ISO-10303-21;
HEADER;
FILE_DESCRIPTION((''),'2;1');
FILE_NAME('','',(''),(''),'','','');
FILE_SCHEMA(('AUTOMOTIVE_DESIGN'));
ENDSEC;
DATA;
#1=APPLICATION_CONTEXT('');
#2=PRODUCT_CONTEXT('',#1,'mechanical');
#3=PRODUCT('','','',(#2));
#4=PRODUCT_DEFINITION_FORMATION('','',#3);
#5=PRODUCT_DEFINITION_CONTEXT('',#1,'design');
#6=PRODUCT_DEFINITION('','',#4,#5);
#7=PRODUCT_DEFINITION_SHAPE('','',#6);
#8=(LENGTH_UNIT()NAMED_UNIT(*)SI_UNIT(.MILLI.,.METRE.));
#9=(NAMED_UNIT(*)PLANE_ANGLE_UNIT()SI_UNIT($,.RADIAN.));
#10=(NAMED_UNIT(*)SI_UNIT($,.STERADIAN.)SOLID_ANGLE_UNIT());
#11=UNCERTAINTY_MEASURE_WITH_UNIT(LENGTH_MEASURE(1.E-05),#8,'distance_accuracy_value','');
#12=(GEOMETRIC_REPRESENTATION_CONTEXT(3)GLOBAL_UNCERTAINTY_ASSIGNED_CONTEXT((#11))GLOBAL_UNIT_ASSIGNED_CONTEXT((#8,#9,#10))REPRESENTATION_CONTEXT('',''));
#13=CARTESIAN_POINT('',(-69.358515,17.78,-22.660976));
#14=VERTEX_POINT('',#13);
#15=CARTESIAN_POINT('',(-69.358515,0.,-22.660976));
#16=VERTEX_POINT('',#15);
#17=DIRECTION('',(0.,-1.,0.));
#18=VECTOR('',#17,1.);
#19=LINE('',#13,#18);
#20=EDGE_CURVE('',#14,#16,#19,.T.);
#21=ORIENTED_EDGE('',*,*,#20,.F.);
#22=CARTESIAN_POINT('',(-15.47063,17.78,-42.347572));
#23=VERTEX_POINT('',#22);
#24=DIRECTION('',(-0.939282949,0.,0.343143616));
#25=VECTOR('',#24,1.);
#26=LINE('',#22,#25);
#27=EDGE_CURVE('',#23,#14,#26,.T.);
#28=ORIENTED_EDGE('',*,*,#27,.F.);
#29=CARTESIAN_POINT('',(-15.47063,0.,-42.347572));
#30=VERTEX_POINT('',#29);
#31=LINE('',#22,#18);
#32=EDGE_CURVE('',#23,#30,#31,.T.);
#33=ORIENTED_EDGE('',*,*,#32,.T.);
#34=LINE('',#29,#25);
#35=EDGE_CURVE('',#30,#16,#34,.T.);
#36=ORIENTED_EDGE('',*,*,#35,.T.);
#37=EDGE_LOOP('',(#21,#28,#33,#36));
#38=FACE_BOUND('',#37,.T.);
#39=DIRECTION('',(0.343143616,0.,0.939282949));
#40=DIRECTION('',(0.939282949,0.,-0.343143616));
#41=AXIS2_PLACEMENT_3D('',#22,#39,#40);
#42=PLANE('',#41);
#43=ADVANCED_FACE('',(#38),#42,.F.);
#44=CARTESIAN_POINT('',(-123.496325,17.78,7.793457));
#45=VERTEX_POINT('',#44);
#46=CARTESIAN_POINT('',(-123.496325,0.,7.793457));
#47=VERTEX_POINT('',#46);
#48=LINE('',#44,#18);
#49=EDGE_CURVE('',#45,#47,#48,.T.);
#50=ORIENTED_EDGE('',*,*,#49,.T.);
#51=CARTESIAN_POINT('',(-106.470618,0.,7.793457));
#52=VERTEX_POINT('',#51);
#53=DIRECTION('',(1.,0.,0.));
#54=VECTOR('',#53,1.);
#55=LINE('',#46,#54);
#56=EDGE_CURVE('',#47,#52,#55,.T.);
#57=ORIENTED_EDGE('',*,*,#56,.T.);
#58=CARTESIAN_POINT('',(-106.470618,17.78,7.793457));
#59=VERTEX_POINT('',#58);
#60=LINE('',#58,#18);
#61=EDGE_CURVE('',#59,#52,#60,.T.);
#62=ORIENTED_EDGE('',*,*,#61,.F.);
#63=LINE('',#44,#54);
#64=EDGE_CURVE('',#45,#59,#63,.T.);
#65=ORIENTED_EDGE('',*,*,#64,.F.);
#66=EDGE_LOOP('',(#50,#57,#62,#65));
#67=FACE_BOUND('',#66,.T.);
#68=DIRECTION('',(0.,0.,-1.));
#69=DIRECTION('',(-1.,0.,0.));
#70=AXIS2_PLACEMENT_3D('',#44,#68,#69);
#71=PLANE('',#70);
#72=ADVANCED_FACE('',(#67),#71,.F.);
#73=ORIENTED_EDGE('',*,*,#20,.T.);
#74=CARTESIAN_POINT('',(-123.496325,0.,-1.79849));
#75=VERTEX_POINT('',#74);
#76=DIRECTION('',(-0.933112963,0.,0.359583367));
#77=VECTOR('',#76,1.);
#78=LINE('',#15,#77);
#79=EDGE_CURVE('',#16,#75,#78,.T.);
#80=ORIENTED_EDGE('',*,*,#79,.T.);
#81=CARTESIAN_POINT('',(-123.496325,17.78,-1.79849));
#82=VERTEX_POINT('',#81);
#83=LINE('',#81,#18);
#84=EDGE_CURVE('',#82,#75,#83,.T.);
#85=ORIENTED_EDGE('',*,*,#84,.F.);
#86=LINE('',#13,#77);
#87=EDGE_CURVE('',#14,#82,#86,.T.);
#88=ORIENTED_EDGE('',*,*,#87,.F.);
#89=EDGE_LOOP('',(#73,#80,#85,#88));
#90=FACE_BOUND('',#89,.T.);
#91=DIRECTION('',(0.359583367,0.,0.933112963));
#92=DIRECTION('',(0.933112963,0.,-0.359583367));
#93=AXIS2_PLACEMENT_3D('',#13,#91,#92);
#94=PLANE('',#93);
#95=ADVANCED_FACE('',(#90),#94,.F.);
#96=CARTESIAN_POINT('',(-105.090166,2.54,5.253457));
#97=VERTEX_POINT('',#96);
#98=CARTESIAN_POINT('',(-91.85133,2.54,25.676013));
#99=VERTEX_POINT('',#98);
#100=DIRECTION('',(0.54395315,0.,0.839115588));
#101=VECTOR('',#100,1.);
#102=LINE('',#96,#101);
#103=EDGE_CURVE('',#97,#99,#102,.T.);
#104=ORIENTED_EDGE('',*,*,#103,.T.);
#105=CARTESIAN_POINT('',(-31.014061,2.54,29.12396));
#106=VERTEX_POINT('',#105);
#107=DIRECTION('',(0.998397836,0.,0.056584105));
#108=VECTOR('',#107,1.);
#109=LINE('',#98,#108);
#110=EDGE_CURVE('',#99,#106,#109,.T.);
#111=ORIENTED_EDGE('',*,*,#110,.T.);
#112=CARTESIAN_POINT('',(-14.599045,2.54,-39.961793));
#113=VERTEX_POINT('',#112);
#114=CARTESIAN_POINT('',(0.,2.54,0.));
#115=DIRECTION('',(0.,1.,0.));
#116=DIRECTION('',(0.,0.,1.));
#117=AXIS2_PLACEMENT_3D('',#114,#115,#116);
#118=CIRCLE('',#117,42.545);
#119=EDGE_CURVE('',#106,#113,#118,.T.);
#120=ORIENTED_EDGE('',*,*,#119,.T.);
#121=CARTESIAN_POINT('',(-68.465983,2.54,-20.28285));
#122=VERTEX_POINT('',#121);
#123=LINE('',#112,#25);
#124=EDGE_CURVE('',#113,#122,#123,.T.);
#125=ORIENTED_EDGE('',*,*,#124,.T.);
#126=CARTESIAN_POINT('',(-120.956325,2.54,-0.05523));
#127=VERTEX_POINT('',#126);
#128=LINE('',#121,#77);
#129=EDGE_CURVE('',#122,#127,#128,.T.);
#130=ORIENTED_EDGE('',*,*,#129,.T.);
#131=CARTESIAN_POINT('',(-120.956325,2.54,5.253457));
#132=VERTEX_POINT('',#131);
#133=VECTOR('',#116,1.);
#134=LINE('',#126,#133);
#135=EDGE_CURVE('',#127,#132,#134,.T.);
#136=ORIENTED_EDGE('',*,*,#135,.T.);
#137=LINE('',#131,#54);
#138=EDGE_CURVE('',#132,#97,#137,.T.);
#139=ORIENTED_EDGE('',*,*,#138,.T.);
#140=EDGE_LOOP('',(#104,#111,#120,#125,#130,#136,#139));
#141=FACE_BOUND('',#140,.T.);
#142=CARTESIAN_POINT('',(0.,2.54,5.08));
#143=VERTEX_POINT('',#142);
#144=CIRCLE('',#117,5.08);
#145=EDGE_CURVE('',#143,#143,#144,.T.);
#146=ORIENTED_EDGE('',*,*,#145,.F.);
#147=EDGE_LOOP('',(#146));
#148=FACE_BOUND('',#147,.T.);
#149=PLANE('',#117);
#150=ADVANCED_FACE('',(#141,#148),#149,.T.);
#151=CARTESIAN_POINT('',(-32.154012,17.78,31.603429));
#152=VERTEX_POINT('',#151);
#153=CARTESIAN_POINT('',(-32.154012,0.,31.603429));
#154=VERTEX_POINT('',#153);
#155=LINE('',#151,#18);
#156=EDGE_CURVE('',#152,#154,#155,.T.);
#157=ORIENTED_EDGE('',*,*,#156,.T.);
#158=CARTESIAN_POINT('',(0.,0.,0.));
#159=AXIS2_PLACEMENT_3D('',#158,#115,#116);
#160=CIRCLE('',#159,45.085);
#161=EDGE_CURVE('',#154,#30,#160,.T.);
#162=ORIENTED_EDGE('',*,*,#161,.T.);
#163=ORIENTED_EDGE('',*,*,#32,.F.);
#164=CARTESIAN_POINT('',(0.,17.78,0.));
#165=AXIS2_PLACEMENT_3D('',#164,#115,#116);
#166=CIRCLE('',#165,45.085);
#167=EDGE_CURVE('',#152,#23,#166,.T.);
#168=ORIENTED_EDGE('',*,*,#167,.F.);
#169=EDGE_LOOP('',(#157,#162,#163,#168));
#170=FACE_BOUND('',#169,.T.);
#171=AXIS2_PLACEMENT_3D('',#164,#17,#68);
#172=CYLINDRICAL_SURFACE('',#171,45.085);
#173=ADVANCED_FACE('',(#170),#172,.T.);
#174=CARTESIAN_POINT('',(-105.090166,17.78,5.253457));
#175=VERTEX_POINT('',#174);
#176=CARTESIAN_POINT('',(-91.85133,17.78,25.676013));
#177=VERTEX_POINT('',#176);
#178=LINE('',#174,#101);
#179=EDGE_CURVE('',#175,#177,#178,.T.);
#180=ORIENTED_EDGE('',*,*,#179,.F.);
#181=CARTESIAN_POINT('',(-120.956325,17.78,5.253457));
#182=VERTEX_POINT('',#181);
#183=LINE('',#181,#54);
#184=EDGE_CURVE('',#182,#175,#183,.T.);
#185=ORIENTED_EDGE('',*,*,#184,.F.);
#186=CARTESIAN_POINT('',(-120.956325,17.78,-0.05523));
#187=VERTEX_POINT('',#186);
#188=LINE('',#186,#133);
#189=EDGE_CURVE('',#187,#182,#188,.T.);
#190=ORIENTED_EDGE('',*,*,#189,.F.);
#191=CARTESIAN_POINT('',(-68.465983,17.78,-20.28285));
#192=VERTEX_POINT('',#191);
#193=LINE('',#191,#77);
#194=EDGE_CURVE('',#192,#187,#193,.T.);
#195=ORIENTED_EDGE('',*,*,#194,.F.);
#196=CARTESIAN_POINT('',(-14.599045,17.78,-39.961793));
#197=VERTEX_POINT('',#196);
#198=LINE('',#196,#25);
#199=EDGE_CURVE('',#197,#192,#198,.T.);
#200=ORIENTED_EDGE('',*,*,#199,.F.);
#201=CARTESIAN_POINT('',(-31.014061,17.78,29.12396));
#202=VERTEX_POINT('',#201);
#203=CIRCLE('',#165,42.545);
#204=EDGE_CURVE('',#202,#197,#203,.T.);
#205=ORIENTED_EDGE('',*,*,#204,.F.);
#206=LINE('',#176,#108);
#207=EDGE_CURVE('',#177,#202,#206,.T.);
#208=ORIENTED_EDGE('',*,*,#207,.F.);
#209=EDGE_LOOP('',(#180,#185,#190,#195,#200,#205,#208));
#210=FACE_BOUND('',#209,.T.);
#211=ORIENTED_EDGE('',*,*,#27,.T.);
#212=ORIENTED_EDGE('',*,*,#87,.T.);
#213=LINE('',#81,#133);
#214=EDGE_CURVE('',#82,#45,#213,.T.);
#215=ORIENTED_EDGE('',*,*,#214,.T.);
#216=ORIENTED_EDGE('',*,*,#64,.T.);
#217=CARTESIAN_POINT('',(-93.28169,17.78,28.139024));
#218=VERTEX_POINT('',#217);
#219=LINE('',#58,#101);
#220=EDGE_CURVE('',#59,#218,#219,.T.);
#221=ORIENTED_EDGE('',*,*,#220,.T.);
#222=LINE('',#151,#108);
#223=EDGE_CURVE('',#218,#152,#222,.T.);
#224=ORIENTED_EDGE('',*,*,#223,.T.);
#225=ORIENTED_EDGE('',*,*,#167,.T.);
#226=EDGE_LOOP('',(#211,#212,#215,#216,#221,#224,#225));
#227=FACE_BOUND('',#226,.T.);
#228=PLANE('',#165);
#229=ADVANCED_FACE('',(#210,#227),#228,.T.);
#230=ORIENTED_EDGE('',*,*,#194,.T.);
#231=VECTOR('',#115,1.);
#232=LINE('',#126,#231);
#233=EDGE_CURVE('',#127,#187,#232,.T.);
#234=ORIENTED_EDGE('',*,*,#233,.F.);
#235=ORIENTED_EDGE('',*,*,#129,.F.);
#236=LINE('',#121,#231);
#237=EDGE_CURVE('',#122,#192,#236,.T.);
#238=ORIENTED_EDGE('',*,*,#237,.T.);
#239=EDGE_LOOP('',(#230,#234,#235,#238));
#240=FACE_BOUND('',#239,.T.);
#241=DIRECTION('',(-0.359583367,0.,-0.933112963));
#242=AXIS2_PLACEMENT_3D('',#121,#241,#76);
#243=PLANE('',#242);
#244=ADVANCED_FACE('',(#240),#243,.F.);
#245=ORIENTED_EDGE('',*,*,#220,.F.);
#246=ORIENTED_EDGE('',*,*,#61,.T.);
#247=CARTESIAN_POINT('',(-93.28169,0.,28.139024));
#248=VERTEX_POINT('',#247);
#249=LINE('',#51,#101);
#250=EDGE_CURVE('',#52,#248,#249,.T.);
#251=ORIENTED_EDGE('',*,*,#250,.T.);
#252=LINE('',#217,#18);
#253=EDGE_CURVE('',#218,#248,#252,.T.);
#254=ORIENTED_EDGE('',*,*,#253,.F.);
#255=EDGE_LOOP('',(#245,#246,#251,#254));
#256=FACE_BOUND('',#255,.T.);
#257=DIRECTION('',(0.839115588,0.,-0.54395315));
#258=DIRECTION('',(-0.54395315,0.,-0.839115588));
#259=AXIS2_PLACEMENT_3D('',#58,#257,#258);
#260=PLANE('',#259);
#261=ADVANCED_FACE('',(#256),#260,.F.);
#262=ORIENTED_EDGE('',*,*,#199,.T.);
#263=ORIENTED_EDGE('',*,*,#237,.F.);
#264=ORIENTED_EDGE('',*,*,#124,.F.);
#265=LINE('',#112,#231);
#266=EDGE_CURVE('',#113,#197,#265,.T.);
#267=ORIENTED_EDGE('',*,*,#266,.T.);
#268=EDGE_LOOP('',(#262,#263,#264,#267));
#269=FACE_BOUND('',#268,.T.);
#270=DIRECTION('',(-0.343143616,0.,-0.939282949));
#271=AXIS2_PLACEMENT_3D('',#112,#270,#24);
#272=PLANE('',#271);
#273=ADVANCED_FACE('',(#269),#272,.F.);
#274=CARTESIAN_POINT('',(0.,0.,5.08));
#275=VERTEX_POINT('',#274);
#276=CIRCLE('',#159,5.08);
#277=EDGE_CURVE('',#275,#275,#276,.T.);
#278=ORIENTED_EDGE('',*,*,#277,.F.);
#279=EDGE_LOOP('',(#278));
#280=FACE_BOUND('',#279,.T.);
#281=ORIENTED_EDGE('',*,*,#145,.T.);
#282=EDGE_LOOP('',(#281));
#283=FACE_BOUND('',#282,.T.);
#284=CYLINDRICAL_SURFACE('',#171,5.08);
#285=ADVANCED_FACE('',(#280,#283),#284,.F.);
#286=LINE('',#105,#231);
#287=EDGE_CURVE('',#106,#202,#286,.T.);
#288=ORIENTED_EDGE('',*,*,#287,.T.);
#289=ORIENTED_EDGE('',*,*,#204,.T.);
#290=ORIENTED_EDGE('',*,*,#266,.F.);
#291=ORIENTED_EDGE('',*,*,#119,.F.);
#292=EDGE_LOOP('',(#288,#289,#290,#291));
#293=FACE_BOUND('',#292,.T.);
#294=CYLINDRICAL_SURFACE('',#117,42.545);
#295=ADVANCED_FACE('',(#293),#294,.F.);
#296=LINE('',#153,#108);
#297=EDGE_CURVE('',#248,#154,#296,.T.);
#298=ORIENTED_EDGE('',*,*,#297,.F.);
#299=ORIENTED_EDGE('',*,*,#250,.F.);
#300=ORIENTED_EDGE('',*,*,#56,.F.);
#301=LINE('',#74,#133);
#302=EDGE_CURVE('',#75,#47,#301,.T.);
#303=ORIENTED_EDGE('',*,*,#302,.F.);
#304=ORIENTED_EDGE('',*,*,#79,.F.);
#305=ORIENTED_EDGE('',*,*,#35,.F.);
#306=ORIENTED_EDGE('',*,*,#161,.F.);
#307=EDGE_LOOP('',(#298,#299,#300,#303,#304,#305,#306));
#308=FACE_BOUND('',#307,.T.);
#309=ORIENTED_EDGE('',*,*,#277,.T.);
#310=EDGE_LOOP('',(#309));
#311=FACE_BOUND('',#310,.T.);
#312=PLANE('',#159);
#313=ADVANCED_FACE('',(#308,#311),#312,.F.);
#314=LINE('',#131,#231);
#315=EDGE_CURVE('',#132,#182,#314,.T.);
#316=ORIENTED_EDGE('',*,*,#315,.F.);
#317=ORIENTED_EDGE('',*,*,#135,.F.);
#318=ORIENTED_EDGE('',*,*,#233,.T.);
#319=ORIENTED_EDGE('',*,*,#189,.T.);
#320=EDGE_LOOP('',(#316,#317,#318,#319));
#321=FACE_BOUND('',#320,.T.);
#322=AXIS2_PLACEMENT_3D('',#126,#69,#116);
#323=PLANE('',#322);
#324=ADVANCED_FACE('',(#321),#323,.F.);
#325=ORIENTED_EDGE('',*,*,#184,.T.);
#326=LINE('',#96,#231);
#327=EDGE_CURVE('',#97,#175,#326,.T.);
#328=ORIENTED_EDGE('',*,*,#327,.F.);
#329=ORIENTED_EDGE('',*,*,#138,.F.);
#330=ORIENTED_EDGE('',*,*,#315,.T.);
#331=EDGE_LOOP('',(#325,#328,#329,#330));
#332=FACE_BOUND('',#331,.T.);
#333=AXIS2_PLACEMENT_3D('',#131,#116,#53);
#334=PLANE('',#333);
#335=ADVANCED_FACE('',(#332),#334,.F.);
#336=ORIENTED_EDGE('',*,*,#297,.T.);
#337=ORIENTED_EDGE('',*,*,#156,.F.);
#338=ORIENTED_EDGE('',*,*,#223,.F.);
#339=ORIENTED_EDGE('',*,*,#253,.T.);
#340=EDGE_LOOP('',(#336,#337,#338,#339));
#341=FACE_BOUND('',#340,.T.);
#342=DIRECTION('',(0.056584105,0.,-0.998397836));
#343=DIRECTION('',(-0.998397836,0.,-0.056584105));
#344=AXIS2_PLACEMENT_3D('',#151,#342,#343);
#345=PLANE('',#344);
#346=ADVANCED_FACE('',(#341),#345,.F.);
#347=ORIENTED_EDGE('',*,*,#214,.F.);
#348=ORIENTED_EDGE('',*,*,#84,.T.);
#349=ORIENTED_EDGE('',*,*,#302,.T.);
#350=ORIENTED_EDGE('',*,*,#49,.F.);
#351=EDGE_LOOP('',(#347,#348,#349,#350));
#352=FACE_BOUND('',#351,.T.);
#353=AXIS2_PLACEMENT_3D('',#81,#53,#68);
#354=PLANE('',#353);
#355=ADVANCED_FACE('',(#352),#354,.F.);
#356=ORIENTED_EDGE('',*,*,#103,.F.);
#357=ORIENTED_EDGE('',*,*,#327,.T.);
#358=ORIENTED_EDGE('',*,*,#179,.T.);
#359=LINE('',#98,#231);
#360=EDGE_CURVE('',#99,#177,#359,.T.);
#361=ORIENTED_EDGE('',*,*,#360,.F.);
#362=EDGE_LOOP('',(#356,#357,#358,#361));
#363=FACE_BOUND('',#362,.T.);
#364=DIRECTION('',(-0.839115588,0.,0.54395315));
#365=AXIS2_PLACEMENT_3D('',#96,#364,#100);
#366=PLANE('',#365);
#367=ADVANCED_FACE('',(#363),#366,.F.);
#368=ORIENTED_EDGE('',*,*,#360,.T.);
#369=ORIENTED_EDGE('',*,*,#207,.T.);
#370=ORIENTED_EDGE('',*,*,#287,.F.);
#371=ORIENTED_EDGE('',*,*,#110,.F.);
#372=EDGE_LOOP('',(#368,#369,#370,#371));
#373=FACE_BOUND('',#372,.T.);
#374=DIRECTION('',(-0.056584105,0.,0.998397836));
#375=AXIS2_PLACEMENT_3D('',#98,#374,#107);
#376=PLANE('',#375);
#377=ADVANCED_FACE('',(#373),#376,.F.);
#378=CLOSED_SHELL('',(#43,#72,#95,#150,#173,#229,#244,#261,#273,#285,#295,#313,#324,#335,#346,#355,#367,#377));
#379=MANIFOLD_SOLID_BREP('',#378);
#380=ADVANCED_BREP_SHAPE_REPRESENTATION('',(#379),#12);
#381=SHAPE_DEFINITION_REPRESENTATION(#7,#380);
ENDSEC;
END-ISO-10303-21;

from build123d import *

# Parameters (mm, degrees)
SKETCH1_R           = 5.08
BOSS_EXTRUDE1_DEPTH = 17.78
CUT_EXTRUDE1_DEPTH  = 15.24


with BuildPart() as part:
    # Sketch1 → Boss-Extrude1 (new body)
    with BuildSketch(Plane(origin=(0, 0, 0), x_dir=(1, 0, 0), z_dir=(0, 1, 0))):
        with BuildLine():
            Line((-32.154011799, -31.603429406), (-93.281689982, -28.139023899))
            Line((-93.281689982, -28.139023899), (-106.470617871, -7.793457389))
            Line((-106.470617871, -7.793457389), (-123.496324783, -7.793457389))
            Line((-123.496324783, -7.793457389), (-123.496324783, 1.798490167))
            Line((-123.496324783, 1.798490167), (-69.358514677, 22.660976101))
            Line((-69.358514677, 22.660976101), (-15.470629933, 42.347571766))
            ThreePointArc((-15.470629933, 42.347571766), (43.979702916, -9.921842389), (-32.154011799, -31.603429406))
        make_face()
        Circle(SKETCH1_R, mode=Mode.SUBTRACT)
    extrude(amount=BOSS_EXTRUDE1_DEPTH)

    # Sketch2 → Cut-Extrude1 (cut)
    with BuildSketch(Plane(origin=(0, 17.78, 0), x_dir=(1, 0, 0), z_dir=(0, 1, 0))):
        with BuildLine():
            Line((-14.599045148, 39.961793075), (-68.465982608, 20.282849978))
            Line((-68.465982608, 20.282849978), (-120.956324783, 0.055230443))
            Line((-120.956324783, 0.055230443), (-120.956324783, -5.253457389))
            Line((-120.956324783, -5.253457389), (-105.090165624, -5.253457389))
            Line((-105.090165624, -5.253457389), (-91.851329605, -25.676013414))
            Line((-91.851329605, -25.676013414), (-31.014061001, -29.123959985))
            ThreePointArc((-31.014061001, -29.123959985), (41.392622315, -9.835031413), (-14.599045148, 39.961793075))
        make_face()
    extrude(amount=-CUT_EXTRUDE1_DEPTH, mode=Mode.SUBTRACT)


solid = part.part
